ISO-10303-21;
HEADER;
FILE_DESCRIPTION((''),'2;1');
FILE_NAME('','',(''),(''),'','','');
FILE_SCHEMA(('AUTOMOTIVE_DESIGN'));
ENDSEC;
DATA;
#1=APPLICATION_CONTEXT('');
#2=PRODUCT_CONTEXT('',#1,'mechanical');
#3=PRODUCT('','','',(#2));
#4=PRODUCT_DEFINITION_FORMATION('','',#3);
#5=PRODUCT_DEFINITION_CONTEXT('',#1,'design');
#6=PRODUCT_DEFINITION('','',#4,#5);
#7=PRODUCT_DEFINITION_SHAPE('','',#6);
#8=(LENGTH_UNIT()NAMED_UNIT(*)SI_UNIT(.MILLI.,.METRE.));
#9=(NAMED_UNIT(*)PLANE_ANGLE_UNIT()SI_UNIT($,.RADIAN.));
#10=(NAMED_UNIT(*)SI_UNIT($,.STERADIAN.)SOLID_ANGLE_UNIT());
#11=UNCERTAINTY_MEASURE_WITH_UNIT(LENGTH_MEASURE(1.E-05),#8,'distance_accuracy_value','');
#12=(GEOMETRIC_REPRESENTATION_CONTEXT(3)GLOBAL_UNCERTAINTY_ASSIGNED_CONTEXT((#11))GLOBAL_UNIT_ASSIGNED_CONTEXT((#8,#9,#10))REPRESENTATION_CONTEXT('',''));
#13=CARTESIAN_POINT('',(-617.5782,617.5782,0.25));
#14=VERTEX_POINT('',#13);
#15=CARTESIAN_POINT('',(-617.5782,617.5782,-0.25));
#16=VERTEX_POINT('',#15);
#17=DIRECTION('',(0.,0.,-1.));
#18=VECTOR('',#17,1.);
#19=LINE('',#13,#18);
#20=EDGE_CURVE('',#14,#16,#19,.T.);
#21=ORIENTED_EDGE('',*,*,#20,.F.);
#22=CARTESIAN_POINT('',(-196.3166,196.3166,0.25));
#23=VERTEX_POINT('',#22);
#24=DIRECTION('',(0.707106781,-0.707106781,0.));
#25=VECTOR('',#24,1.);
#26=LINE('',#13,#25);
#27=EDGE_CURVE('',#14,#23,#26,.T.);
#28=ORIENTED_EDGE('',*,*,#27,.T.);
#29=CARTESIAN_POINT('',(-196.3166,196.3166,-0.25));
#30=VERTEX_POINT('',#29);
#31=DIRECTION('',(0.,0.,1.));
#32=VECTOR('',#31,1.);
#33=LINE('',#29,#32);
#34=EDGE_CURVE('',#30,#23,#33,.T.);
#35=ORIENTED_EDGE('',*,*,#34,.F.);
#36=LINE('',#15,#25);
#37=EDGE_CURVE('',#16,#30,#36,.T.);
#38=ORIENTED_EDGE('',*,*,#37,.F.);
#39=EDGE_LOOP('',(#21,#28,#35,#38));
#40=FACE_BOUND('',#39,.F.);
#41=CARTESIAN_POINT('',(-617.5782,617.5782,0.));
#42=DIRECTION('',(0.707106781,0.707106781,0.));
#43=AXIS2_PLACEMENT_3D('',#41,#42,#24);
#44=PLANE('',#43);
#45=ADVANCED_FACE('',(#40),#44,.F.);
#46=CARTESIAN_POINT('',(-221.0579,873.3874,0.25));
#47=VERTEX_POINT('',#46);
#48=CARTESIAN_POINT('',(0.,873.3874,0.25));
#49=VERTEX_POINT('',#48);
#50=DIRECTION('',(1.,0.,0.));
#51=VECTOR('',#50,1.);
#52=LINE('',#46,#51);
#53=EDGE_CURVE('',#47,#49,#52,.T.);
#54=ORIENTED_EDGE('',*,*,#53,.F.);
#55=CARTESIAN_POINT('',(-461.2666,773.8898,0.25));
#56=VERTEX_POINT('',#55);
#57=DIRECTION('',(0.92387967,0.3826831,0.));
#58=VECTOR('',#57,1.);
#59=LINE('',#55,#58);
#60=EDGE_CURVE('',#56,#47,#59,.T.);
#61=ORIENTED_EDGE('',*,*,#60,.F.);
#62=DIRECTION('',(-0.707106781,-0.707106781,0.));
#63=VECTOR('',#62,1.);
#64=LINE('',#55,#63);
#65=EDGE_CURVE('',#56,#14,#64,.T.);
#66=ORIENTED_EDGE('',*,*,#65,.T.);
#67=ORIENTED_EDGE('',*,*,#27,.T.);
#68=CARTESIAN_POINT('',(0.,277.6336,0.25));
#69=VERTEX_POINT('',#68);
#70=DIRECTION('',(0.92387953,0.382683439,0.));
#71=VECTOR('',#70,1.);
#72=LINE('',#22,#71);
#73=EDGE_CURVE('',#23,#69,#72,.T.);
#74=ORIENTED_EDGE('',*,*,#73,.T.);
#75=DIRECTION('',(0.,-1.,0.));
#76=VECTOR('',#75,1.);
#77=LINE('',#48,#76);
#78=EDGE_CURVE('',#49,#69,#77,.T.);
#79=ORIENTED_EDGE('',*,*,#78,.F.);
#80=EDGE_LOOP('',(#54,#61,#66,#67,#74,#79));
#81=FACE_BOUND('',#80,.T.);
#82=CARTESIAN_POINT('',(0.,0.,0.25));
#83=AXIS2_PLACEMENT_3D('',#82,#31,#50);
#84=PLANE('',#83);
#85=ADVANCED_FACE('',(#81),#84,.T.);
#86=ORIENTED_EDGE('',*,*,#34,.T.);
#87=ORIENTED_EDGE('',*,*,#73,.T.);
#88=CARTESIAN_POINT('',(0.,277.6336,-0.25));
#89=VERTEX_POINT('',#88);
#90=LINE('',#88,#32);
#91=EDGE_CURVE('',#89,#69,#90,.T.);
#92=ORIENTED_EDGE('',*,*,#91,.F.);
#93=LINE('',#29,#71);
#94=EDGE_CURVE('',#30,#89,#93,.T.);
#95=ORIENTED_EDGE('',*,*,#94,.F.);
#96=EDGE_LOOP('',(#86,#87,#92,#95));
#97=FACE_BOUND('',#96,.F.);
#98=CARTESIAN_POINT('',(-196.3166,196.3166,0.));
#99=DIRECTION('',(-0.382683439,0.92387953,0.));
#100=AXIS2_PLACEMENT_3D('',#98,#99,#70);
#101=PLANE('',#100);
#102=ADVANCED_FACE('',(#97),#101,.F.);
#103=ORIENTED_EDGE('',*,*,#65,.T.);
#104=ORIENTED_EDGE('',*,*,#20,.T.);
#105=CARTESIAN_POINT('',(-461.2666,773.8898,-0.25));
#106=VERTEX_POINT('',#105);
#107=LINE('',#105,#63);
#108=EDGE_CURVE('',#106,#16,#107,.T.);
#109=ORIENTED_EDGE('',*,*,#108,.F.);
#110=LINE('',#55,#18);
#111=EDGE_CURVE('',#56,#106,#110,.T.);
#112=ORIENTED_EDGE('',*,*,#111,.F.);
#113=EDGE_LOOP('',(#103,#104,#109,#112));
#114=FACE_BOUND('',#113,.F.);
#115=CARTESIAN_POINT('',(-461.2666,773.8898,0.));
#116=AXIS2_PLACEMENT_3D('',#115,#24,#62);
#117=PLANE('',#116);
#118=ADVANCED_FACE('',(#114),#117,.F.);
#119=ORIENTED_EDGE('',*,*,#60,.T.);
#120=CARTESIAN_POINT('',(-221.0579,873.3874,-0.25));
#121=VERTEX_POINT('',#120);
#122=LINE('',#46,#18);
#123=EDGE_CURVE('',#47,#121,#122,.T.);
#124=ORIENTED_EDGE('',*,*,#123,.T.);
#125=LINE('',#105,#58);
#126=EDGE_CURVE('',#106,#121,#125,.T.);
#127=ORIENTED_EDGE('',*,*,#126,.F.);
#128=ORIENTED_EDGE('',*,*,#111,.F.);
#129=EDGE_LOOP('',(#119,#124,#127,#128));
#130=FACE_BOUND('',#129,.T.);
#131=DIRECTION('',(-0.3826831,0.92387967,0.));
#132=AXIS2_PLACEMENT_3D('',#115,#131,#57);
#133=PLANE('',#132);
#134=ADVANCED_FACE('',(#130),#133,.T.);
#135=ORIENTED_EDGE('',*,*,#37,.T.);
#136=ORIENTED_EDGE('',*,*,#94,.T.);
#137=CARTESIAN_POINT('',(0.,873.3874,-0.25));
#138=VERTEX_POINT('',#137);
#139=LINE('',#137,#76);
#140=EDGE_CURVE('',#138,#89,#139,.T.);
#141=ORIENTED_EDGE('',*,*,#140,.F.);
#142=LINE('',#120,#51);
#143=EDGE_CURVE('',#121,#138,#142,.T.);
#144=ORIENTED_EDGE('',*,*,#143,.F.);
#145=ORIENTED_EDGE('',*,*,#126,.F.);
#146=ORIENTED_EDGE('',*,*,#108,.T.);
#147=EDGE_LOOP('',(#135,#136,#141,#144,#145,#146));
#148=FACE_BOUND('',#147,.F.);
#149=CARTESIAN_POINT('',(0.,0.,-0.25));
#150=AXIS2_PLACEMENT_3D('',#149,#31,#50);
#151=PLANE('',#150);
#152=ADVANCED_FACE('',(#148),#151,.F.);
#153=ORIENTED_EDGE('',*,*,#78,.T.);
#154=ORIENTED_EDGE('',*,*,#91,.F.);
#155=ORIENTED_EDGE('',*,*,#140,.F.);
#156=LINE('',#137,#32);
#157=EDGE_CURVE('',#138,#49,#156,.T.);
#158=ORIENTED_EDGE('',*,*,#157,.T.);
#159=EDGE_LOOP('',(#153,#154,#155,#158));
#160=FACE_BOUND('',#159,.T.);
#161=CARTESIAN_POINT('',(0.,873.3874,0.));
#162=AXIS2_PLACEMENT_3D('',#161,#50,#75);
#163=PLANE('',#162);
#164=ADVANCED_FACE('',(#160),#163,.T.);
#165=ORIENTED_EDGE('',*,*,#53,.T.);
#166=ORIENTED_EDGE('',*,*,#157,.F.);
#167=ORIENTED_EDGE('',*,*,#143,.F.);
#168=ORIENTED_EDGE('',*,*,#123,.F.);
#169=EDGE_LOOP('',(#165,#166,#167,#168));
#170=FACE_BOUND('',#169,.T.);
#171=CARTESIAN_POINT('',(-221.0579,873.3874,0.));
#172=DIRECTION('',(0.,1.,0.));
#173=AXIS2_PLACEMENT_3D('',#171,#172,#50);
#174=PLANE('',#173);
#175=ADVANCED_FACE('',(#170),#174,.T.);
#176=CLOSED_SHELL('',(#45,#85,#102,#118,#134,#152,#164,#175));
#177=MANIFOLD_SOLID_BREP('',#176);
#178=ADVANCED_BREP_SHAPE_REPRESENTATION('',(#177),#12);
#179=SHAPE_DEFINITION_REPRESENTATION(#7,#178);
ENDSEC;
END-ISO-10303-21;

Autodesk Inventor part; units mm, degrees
ref_plane "YZ Plane" through (0, 0, 0) normal (1, 0, 0) x (0, 1, 0)
ref_plane "XZ Plane" through (0, 0, 0) normal (0, 1, 0) x (-1, 0, 0)
ref_plane "XY Plane" through (0, 0, 0) normal (0, 0, 1) x (1, 0, 0)
sketch "Sketch1" plane through (0, 0, 0) normal (0, 0, 1) x (1, 0, 0)
  line L0 (0, 277.6336) -> (196.3166, 196.3166) construction
  line L1 (196.3166, 196.3166) -> (277.6336, 0) construction
  line L2 (277.6336, 0) -> (196.3166, -196.3166) construction
  line L3 (196.3166, -196.3166) -> (0, -277.6336) construction
  line L4 (0, -277.6336) -> (-196.3166, -196.3166) construction
  line L5 (-196.3166, -196.3166) -> (-277.6336, 0) construction
  line L6 (-277.6336, 0) -> (-196.3166, 196.3166) construction
  line L7 (-196.3166, 196.3166) -> (0, 277.6336)
  line L8 (-196.3166, 196.3166) -> (0, 277.6336)
  line L9 (-461.2666, 773.8898) -> (-221.0579, 873.3874)
  line L10 (-98.1583, 236.9751) -> (-341.1623, 823.6386) construction
  line L11 (-221.0579, 873.3874) -> (0, 873.3874)
  line L12 (0, 873.3874) -> (0, 277.6336)
  line L13 (-461.2666, 773.8898) -> (-617.5782, 617.5782)
  line L14 (-617.5782, 617.5782) -> (-196.3166, 196.3166)
  point P0 (0, 0)
  point P1 (0, 0)
  dimension "d0" = 513
  dimension "d2" = 260
  dimension "d3" = 635
extrude "Extrusion1" add sketch "Sketch1" along normal mid plane 0.5
sketch "Sketch7" plane through (0, 0, 0.25) normal (0, 0, 1) x (1, 0, 0)
  line L0 (-13, 868.3874) -> (-5, 868.3874)
  line L1 (-5, 868.3874) -> (-5, 860.3874)
  line L2 (-5, 860.3874) -> (-13, 860.3874)
  line L3 (-13, 860.3874) -> (-13, 868.3874)
  line L4 (0, 873.3874) -> (-221.0579, 873.3874) projected
  line L5 (0, 277.6336) -> (0, 873.3874) projected
  point P0 (0, 0)
  dimension "d54" = 8
  dimension "d55" = 8
  dimension "d56" = 5
  dimension "d57" = 5
extrude "Extrusion5" [suppressed]
pattern_linear "Rectangular Pattern1" [suppressed]
equation "\"d0\" = Барабан_габарит_по_кассетам"
equation "\"d2\" = Кассета_длина_грани"
equation "\"d3\" = Кассета_высота"
equation "\"BendRadius\" = Thickness"
equation "\"BendReliefWidth\" = Thickness"
equation "\"BendReliefDepth\" = 0.5 * Thickness"
equation "\"CornerReliefSize\" = 4 * Thickness"
equation "\"MinimumRemnant\" = 2 * Thickness"
equation "\"TransitionRadius\" = BendRadius"
equation "\"JacobiRadiusSize\" = BendRadius"
equation "\"GapSize\" = Thickness"
equation "\"Барабан_габарит_по_кассетам\" = 513"
equation "\"Кассета_длина_грани\" = 260"
equation "\"Кассета_высота\" = 635"
equation "\"Thickness\" = 0.5"
properties part number "ДМФ 01 57 Сетка кассеты v2.0"
